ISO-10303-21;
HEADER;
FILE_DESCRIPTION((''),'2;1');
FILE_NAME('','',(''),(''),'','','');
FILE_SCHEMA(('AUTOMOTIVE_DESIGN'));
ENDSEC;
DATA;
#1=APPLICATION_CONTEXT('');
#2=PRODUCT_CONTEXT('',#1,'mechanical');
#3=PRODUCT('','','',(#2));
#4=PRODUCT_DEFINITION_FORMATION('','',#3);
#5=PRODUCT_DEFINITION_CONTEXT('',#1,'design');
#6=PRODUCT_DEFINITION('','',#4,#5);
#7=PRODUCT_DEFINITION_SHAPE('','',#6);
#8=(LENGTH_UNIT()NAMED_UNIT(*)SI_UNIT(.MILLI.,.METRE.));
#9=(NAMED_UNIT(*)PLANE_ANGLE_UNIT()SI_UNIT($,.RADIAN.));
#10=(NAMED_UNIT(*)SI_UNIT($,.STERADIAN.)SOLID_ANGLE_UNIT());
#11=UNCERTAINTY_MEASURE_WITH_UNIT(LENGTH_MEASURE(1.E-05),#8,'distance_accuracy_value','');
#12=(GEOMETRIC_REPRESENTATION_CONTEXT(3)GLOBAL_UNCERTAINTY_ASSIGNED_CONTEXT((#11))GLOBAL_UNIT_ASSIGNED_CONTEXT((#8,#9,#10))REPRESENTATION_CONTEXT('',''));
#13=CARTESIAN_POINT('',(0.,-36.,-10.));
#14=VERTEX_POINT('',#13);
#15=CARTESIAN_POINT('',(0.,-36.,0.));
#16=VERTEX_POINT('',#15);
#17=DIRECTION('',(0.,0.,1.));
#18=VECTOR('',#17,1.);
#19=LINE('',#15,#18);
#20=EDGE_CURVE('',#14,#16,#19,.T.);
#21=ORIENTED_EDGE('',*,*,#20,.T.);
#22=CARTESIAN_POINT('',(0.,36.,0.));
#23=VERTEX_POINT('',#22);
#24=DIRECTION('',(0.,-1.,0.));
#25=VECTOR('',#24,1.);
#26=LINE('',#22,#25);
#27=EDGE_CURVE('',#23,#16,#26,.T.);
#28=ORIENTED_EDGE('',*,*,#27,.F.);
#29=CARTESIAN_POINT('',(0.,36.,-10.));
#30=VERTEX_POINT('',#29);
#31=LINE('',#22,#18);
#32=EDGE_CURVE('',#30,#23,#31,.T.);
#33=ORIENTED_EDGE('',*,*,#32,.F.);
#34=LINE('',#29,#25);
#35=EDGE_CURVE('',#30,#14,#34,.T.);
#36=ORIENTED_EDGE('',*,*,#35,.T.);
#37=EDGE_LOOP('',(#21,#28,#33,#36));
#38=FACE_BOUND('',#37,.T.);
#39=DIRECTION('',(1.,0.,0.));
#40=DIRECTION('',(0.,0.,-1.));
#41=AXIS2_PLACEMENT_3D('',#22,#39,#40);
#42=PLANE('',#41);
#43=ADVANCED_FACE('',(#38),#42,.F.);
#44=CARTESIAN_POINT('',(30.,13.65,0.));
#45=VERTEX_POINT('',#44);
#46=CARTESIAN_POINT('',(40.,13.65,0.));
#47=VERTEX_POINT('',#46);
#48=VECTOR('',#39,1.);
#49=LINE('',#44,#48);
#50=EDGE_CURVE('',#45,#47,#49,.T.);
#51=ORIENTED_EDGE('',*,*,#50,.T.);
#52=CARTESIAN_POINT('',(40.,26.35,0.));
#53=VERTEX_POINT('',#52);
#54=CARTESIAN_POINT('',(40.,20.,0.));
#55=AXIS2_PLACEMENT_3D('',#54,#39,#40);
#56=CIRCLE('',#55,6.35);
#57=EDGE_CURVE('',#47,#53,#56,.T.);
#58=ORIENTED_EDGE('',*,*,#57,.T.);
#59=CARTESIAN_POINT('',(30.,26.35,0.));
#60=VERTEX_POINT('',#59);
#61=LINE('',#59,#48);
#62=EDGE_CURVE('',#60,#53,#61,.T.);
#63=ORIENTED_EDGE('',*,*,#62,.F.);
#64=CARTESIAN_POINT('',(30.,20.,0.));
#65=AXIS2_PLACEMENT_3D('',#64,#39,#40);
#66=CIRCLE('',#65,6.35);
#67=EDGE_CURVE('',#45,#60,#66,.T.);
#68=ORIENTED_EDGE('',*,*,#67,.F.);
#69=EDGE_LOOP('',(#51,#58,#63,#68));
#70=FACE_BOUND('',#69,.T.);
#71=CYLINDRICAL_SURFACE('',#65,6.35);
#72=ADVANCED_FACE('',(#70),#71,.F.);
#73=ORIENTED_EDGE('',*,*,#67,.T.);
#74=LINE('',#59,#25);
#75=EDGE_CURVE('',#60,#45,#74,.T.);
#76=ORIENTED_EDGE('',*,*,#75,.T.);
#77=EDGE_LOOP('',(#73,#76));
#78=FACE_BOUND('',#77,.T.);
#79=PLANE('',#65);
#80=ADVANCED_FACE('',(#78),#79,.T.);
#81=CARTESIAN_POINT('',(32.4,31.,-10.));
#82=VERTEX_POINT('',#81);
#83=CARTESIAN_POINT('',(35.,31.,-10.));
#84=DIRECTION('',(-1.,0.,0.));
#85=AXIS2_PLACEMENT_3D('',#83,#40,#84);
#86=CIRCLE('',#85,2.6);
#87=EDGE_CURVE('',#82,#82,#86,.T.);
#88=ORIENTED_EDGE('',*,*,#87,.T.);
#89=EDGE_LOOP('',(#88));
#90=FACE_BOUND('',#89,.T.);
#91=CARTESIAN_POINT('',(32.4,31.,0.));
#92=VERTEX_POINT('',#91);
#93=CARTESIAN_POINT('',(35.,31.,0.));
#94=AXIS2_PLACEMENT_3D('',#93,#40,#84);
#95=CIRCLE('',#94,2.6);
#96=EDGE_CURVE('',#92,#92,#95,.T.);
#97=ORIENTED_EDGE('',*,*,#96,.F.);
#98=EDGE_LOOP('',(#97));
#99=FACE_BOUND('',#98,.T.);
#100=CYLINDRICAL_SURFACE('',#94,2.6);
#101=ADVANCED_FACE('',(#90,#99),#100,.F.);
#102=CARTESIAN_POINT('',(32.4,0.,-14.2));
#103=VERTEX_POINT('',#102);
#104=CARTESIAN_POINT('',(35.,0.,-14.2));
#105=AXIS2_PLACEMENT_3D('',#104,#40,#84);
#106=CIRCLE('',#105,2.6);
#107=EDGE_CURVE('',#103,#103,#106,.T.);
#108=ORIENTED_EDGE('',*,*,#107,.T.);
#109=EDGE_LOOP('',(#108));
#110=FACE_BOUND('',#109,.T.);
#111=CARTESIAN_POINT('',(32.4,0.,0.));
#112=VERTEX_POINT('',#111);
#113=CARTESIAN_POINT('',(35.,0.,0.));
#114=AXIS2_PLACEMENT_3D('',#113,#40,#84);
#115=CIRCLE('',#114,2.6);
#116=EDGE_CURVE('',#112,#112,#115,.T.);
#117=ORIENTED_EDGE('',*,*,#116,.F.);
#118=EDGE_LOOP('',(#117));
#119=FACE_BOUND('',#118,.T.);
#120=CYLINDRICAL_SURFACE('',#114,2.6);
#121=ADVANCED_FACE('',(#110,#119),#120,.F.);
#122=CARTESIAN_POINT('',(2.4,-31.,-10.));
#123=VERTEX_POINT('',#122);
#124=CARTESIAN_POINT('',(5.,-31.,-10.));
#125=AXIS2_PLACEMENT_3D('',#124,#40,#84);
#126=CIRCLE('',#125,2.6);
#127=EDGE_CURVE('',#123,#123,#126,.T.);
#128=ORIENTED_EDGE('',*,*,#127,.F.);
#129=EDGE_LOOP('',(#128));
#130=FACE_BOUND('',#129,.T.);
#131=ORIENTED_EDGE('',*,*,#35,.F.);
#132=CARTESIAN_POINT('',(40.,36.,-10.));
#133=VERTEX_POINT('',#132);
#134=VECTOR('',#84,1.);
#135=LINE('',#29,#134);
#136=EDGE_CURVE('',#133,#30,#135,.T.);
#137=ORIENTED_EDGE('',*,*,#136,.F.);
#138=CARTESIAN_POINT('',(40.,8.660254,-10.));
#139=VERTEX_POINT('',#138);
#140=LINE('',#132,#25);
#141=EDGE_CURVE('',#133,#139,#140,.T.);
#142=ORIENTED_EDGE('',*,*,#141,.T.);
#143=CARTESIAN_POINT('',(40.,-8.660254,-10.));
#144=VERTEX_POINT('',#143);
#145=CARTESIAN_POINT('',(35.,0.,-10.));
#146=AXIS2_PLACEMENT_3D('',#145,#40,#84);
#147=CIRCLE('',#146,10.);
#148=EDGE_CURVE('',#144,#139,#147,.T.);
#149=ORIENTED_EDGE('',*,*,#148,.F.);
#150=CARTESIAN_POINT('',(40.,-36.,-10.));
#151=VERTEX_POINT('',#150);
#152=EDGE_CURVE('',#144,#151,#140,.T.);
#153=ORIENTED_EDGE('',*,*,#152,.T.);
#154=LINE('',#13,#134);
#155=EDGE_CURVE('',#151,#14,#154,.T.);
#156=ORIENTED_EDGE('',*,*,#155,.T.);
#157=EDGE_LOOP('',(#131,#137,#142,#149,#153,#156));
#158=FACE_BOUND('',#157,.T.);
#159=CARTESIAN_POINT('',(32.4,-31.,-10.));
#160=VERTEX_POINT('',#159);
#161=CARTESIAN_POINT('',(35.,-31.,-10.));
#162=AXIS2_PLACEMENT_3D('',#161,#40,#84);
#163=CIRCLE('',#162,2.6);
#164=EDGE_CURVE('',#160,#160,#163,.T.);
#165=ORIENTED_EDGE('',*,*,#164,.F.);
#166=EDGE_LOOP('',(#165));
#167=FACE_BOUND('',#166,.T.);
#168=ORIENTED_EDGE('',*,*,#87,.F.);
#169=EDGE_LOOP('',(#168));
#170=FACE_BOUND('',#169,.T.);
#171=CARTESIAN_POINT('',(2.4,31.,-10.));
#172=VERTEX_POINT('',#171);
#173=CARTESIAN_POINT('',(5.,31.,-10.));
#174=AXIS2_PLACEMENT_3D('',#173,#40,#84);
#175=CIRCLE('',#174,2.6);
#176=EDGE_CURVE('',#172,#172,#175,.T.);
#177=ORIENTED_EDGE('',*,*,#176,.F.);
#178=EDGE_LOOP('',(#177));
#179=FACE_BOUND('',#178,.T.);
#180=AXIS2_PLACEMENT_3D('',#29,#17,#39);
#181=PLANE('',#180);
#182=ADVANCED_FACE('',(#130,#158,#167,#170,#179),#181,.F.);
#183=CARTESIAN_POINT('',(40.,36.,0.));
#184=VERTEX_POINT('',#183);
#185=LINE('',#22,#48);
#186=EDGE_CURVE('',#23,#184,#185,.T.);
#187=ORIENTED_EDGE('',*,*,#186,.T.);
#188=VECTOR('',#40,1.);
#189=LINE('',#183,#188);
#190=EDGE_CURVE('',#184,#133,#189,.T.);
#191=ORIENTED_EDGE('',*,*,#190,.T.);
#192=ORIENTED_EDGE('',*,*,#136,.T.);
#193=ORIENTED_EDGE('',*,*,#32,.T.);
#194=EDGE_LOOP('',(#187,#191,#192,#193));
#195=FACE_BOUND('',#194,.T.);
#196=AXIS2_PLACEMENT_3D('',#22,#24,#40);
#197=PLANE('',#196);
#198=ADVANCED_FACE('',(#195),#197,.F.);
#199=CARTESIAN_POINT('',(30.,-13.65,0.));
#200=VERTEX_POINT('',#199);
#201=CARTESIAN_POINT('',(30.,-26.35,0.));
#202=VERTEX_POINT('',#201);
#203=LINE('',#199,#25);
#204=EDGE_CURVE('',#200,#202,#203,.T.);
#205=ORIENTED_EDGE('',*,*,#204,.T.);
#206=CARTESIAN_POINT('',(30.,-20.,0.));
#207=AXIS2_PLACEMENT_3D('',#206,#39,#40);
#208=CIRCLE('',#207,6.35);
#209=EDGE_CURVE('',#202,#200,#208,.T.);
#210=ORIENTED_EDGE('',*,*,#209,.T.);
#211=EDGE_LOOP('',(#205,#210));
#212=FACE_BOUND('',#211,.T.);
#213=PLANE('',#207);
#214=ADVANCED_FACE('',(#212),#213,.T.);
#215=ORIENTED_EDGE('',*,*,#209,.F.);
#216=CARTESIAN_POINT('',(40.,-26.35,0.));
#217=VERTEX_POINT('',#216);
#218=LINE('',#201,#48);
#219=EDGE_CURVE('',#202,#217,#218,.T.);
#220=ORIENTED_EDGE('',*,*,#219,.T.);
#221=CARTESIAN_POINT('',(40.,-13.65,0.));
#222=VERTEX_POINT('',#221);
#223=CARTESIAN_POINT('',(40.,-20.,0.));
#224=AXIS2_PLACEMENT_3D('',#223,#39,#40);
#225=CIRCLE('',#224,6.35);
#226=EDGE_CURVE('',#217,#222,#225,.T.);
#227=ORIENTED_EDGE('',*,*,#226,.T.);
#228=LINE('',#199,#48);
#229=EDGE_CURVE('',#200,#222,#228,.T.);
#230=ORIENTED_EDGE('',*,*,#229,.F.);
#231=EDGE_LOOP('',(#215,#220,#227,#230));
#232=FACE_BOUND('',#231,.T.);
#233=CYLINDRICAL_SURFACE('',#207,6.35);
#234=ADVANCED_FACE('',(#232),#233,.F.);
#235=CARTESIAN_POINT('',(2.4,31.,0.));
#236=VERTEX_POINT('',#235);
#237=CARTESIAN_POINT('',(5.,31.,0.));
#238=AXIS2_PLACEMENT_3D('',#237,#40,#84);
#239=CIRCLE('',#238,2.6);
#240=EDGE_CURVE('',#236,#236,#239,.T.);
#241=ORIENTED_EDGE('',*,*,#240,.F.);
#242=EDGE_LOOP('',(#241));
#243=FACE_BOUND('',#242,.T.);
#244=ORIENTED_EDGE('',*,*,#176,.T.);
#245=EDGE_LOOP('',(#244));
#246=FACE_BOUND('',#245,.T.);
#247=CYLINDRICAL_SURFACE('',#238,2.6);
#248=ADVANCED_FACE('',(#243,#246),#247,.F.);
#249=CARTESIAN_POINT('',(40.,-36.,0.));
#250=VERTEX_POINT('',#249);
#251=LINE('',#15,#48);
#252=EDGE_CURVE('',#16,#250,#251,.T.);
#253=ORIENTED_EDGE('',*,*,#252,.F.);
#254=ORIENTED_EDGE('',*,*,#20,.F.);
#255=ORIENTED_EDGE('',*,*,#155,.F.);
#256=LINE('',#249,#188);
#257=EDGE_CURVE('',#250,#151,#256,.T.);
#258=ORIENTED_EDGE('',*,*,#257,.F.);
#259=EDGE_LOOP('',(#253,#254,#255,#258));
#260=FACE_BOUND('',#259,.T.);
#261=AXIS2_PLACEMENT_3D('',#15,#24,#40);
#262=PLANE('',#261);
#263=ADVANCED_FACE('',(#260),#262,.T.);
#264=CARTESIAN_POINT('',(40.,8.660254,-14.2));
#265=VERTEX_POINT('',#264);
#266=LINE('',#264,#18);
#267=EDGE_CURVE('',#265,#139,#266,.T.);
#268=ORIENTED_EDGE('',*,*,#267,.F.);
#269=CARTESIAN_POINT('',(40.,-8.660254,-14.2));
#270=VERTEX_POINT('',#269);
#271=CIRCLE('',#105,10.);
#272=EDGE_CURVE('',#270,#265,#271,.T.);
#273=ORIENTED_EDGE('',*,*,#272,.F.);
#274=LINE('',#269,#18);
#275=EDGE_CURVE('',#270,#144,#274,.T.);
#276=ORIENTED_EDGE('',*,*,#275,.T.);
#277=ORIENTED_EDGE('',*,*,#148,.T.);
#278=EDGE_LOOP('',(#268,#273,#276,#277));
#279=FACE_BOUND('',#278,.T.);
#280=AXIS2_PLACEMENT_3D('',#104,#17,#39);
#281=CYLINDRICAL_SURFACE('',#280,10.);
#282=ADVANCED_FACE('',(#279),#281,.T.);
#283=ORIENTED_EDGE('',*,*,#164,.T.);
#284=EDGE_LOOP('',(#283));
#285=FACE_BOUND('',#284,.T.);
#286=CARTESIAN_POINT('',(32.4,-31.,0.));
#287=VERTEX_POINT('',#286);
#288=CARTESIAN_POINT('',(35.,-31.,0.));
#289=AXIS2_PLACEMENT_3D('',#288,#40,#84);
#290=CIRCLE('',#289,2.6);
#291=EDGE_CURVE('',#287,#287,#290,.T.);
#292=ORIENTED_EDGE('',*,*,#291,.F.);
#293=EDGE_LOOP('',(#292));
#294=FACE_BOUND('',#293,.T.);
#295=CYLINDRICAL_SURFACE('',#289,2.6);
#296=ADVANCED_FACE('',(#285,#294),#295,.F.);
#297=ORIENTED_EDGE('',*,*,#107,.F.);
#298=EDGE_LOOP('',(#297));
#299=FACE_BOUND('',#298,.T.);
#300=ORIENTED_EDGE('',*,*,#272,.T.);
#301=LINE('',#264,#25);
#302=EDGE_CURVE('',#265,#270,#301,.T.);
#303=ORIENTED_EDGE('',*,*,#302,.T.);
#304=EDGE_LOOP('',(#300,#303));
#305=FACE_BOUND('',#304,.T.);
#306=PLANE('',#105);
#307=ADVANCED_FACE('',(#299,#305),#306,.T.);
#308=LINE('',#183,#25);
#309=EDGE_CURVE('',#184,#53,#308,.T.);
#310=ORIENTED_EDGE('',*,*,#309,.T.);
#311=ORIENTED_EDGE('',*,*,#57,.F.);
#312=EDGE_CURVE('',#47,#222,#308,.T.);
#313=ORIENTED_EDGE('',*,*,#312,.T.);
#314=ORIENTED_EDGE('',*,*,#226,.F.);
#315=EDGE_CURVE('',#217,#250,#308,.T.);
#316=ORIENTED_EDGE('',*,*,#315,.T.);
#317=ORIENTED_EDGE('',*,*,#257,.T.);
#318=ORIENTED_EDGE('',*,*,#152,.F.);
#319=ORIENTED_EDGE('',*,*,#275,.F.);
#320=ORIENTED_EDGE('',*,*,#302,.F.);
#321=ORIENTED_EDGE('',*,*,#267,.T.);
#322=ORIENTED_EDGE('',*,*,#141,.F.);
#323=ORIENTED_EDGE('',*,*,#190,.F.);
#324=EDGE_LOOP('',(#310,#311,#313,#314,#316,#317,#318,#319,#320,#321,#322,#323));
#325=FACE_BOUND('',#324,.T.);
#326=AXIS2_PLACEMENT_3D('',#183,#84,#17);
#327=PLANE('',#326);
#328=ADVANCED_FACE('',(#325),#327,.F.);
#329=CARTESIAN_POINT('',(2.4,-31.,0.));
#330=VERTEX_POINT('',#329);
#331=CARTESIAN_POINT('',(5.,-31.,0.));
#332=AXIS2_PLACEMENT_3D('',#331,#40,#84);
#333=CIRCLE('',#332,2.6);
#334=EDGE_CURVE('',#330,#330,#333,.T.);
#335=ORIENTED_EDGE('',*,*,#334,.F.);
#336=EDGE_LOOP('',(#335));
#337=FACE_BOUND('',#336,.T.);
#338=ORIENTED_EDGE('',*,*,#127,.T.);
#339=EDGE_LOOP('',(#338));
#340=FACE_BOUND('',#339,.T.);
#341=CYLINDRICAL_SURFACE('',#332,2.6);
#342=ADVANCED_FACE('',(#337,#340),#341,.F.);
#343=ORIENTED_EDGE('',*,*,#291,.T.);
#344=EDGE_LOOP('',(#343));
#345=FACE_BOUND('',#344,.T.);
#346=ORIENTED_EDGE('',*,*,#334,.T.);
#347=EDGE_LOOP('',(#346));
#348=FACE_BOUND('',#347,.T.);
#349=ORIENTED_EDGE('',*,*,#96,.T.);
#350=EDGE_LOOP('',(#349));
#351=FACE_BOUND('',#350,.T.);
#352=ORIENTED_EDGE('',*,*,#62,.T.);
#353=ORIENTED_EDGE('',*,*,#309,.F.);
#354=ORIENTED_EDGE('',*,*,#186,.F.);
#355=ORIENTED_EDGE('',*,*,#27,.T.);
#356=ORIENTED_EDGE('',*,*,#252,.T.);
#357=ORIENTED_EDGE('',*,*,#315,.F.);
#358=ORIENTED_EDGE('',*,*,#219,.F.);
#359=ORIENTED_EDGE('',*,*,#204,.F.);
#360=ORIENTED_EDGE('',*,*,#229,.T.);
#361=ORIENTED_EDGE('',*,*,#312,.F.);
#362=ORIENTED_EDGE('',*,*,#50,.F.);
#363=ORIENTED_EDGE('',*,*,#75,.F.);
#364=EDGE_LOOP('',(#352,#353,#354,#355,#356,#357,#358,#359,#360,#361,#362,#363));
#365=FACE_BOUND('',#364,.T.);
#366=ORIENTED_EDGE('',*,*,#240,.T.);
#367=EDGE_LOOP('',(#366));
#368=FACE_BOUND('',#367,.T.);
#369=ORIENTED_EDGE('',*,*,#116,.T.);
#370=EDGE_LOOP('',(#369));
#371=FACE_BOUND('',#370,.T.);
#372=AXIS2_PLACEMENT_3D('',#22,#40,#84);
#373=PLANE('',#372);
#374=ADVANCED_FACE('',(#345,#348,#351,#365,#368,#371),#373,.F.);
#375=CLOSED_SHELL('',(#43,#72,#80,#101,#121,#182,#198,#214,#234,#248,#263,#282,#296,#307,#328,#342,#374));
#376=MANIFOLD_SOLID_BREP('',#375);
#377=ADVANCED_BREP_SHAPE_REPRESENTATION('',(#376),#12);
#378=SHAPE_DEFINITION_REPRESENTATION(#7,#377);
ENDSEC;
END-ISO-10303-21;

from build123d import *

# Parameters (mm, degrees)
SKETCH1_W           = 40
SKETCH1_H           = 10
BOSS_EXTRUDE1_DEPTH = 36
CUT_EXTRUDE1_DEPTH  = 10
SKETCH3_R           = 2.6
CUT_EXTRUDE2_DEPTH  = 55.735728734
BOSS_EXTRUDE2_START = 4.2
SKETCH5_R           = 2.6
BOSS_EXTRUDE2_DEPTH = 4.2


with BuildPart() as part:
    # Sketch1 → Boss-Extrude1 (new, symmetric)
    with BuildSketch(Plane(origin=(0, 0, 0), x_dir=(1, 0, 0), z_dir=(0, 1, 0))):
        with Locations((20, 5)):
            Rectangle(SKETCH1_W, SKETCH1_H)
    extrude(amount=BOSS_EXTRUDE1_DEPTH, both=True)

    # Sketch2 → Cut-Extrude1 (cut)
    with BuildSketch(Plane(origin=(40, 0, 0), x_dir=(0, 0, -1), z_dir=(1, 0, 0))):
        with BuildLine():
            Line((0, 26.35), (0, 13.65))
            ThreePointArc((0, 13.65), (6.35, 20), (0, 26.35))
        make_face()
        with BuildLine():
            Line((0, -13.65), (0, -26.35))
            ThreePointArc((0, -26.35), (6.35, -20), (0, -13.65))
        make_face()
    extrude(amount=-CUT_EXTRUDE1_DEPTH, mode=Mode.SUBTRACT)

    # Sketch3 → Cut-Extrude2 (cut, through all)
    with BuildSketch(Plane(origin=(0, 0, -10), x_dir=(-1, 0, 0), z_dir=(0, 0, -1))):
        with Locations((-35, 31)):
            Circle(SKETCH3_R)
        with Locations((-5, 31)):
            Circle(SKETCH3_R)
        with Locations((-35, -31)):
            Circle(SKETCH3_R)
        with Locations((-5, -31)):
            Circle(SKETCH3_R)
        with Locations((-35, 0)):
            Circle(SKETCH3_R)
    extrude(amount=-CUT_EXTRUDE2_DEPTH, mode=Mode.SUBTRACT)

    # Sketch5 → Boss-Extrude2 (add)
    with BuildSketch(Plane(origin=(0, 0, -10), x_dir=(-1, 0, 0), z_dir=(0, 0, -1)).offset(BOSS_EXTRUDE2_START)):
        with BuildLine():
            Line((-40, 8.660254038), (-40, -8.660254038))
            ThreePointArc((-40, -8.660254038), (-25, 0), (-40, 8.660254038))
        make_face()
        with Locations((-35, 0)):
            Circle(SKETCH5_R, mode=Mode.SUBTRACT)
    extrude(amount=-BOSS_EXTRUDE2_DEPTH)


solid = part.part
